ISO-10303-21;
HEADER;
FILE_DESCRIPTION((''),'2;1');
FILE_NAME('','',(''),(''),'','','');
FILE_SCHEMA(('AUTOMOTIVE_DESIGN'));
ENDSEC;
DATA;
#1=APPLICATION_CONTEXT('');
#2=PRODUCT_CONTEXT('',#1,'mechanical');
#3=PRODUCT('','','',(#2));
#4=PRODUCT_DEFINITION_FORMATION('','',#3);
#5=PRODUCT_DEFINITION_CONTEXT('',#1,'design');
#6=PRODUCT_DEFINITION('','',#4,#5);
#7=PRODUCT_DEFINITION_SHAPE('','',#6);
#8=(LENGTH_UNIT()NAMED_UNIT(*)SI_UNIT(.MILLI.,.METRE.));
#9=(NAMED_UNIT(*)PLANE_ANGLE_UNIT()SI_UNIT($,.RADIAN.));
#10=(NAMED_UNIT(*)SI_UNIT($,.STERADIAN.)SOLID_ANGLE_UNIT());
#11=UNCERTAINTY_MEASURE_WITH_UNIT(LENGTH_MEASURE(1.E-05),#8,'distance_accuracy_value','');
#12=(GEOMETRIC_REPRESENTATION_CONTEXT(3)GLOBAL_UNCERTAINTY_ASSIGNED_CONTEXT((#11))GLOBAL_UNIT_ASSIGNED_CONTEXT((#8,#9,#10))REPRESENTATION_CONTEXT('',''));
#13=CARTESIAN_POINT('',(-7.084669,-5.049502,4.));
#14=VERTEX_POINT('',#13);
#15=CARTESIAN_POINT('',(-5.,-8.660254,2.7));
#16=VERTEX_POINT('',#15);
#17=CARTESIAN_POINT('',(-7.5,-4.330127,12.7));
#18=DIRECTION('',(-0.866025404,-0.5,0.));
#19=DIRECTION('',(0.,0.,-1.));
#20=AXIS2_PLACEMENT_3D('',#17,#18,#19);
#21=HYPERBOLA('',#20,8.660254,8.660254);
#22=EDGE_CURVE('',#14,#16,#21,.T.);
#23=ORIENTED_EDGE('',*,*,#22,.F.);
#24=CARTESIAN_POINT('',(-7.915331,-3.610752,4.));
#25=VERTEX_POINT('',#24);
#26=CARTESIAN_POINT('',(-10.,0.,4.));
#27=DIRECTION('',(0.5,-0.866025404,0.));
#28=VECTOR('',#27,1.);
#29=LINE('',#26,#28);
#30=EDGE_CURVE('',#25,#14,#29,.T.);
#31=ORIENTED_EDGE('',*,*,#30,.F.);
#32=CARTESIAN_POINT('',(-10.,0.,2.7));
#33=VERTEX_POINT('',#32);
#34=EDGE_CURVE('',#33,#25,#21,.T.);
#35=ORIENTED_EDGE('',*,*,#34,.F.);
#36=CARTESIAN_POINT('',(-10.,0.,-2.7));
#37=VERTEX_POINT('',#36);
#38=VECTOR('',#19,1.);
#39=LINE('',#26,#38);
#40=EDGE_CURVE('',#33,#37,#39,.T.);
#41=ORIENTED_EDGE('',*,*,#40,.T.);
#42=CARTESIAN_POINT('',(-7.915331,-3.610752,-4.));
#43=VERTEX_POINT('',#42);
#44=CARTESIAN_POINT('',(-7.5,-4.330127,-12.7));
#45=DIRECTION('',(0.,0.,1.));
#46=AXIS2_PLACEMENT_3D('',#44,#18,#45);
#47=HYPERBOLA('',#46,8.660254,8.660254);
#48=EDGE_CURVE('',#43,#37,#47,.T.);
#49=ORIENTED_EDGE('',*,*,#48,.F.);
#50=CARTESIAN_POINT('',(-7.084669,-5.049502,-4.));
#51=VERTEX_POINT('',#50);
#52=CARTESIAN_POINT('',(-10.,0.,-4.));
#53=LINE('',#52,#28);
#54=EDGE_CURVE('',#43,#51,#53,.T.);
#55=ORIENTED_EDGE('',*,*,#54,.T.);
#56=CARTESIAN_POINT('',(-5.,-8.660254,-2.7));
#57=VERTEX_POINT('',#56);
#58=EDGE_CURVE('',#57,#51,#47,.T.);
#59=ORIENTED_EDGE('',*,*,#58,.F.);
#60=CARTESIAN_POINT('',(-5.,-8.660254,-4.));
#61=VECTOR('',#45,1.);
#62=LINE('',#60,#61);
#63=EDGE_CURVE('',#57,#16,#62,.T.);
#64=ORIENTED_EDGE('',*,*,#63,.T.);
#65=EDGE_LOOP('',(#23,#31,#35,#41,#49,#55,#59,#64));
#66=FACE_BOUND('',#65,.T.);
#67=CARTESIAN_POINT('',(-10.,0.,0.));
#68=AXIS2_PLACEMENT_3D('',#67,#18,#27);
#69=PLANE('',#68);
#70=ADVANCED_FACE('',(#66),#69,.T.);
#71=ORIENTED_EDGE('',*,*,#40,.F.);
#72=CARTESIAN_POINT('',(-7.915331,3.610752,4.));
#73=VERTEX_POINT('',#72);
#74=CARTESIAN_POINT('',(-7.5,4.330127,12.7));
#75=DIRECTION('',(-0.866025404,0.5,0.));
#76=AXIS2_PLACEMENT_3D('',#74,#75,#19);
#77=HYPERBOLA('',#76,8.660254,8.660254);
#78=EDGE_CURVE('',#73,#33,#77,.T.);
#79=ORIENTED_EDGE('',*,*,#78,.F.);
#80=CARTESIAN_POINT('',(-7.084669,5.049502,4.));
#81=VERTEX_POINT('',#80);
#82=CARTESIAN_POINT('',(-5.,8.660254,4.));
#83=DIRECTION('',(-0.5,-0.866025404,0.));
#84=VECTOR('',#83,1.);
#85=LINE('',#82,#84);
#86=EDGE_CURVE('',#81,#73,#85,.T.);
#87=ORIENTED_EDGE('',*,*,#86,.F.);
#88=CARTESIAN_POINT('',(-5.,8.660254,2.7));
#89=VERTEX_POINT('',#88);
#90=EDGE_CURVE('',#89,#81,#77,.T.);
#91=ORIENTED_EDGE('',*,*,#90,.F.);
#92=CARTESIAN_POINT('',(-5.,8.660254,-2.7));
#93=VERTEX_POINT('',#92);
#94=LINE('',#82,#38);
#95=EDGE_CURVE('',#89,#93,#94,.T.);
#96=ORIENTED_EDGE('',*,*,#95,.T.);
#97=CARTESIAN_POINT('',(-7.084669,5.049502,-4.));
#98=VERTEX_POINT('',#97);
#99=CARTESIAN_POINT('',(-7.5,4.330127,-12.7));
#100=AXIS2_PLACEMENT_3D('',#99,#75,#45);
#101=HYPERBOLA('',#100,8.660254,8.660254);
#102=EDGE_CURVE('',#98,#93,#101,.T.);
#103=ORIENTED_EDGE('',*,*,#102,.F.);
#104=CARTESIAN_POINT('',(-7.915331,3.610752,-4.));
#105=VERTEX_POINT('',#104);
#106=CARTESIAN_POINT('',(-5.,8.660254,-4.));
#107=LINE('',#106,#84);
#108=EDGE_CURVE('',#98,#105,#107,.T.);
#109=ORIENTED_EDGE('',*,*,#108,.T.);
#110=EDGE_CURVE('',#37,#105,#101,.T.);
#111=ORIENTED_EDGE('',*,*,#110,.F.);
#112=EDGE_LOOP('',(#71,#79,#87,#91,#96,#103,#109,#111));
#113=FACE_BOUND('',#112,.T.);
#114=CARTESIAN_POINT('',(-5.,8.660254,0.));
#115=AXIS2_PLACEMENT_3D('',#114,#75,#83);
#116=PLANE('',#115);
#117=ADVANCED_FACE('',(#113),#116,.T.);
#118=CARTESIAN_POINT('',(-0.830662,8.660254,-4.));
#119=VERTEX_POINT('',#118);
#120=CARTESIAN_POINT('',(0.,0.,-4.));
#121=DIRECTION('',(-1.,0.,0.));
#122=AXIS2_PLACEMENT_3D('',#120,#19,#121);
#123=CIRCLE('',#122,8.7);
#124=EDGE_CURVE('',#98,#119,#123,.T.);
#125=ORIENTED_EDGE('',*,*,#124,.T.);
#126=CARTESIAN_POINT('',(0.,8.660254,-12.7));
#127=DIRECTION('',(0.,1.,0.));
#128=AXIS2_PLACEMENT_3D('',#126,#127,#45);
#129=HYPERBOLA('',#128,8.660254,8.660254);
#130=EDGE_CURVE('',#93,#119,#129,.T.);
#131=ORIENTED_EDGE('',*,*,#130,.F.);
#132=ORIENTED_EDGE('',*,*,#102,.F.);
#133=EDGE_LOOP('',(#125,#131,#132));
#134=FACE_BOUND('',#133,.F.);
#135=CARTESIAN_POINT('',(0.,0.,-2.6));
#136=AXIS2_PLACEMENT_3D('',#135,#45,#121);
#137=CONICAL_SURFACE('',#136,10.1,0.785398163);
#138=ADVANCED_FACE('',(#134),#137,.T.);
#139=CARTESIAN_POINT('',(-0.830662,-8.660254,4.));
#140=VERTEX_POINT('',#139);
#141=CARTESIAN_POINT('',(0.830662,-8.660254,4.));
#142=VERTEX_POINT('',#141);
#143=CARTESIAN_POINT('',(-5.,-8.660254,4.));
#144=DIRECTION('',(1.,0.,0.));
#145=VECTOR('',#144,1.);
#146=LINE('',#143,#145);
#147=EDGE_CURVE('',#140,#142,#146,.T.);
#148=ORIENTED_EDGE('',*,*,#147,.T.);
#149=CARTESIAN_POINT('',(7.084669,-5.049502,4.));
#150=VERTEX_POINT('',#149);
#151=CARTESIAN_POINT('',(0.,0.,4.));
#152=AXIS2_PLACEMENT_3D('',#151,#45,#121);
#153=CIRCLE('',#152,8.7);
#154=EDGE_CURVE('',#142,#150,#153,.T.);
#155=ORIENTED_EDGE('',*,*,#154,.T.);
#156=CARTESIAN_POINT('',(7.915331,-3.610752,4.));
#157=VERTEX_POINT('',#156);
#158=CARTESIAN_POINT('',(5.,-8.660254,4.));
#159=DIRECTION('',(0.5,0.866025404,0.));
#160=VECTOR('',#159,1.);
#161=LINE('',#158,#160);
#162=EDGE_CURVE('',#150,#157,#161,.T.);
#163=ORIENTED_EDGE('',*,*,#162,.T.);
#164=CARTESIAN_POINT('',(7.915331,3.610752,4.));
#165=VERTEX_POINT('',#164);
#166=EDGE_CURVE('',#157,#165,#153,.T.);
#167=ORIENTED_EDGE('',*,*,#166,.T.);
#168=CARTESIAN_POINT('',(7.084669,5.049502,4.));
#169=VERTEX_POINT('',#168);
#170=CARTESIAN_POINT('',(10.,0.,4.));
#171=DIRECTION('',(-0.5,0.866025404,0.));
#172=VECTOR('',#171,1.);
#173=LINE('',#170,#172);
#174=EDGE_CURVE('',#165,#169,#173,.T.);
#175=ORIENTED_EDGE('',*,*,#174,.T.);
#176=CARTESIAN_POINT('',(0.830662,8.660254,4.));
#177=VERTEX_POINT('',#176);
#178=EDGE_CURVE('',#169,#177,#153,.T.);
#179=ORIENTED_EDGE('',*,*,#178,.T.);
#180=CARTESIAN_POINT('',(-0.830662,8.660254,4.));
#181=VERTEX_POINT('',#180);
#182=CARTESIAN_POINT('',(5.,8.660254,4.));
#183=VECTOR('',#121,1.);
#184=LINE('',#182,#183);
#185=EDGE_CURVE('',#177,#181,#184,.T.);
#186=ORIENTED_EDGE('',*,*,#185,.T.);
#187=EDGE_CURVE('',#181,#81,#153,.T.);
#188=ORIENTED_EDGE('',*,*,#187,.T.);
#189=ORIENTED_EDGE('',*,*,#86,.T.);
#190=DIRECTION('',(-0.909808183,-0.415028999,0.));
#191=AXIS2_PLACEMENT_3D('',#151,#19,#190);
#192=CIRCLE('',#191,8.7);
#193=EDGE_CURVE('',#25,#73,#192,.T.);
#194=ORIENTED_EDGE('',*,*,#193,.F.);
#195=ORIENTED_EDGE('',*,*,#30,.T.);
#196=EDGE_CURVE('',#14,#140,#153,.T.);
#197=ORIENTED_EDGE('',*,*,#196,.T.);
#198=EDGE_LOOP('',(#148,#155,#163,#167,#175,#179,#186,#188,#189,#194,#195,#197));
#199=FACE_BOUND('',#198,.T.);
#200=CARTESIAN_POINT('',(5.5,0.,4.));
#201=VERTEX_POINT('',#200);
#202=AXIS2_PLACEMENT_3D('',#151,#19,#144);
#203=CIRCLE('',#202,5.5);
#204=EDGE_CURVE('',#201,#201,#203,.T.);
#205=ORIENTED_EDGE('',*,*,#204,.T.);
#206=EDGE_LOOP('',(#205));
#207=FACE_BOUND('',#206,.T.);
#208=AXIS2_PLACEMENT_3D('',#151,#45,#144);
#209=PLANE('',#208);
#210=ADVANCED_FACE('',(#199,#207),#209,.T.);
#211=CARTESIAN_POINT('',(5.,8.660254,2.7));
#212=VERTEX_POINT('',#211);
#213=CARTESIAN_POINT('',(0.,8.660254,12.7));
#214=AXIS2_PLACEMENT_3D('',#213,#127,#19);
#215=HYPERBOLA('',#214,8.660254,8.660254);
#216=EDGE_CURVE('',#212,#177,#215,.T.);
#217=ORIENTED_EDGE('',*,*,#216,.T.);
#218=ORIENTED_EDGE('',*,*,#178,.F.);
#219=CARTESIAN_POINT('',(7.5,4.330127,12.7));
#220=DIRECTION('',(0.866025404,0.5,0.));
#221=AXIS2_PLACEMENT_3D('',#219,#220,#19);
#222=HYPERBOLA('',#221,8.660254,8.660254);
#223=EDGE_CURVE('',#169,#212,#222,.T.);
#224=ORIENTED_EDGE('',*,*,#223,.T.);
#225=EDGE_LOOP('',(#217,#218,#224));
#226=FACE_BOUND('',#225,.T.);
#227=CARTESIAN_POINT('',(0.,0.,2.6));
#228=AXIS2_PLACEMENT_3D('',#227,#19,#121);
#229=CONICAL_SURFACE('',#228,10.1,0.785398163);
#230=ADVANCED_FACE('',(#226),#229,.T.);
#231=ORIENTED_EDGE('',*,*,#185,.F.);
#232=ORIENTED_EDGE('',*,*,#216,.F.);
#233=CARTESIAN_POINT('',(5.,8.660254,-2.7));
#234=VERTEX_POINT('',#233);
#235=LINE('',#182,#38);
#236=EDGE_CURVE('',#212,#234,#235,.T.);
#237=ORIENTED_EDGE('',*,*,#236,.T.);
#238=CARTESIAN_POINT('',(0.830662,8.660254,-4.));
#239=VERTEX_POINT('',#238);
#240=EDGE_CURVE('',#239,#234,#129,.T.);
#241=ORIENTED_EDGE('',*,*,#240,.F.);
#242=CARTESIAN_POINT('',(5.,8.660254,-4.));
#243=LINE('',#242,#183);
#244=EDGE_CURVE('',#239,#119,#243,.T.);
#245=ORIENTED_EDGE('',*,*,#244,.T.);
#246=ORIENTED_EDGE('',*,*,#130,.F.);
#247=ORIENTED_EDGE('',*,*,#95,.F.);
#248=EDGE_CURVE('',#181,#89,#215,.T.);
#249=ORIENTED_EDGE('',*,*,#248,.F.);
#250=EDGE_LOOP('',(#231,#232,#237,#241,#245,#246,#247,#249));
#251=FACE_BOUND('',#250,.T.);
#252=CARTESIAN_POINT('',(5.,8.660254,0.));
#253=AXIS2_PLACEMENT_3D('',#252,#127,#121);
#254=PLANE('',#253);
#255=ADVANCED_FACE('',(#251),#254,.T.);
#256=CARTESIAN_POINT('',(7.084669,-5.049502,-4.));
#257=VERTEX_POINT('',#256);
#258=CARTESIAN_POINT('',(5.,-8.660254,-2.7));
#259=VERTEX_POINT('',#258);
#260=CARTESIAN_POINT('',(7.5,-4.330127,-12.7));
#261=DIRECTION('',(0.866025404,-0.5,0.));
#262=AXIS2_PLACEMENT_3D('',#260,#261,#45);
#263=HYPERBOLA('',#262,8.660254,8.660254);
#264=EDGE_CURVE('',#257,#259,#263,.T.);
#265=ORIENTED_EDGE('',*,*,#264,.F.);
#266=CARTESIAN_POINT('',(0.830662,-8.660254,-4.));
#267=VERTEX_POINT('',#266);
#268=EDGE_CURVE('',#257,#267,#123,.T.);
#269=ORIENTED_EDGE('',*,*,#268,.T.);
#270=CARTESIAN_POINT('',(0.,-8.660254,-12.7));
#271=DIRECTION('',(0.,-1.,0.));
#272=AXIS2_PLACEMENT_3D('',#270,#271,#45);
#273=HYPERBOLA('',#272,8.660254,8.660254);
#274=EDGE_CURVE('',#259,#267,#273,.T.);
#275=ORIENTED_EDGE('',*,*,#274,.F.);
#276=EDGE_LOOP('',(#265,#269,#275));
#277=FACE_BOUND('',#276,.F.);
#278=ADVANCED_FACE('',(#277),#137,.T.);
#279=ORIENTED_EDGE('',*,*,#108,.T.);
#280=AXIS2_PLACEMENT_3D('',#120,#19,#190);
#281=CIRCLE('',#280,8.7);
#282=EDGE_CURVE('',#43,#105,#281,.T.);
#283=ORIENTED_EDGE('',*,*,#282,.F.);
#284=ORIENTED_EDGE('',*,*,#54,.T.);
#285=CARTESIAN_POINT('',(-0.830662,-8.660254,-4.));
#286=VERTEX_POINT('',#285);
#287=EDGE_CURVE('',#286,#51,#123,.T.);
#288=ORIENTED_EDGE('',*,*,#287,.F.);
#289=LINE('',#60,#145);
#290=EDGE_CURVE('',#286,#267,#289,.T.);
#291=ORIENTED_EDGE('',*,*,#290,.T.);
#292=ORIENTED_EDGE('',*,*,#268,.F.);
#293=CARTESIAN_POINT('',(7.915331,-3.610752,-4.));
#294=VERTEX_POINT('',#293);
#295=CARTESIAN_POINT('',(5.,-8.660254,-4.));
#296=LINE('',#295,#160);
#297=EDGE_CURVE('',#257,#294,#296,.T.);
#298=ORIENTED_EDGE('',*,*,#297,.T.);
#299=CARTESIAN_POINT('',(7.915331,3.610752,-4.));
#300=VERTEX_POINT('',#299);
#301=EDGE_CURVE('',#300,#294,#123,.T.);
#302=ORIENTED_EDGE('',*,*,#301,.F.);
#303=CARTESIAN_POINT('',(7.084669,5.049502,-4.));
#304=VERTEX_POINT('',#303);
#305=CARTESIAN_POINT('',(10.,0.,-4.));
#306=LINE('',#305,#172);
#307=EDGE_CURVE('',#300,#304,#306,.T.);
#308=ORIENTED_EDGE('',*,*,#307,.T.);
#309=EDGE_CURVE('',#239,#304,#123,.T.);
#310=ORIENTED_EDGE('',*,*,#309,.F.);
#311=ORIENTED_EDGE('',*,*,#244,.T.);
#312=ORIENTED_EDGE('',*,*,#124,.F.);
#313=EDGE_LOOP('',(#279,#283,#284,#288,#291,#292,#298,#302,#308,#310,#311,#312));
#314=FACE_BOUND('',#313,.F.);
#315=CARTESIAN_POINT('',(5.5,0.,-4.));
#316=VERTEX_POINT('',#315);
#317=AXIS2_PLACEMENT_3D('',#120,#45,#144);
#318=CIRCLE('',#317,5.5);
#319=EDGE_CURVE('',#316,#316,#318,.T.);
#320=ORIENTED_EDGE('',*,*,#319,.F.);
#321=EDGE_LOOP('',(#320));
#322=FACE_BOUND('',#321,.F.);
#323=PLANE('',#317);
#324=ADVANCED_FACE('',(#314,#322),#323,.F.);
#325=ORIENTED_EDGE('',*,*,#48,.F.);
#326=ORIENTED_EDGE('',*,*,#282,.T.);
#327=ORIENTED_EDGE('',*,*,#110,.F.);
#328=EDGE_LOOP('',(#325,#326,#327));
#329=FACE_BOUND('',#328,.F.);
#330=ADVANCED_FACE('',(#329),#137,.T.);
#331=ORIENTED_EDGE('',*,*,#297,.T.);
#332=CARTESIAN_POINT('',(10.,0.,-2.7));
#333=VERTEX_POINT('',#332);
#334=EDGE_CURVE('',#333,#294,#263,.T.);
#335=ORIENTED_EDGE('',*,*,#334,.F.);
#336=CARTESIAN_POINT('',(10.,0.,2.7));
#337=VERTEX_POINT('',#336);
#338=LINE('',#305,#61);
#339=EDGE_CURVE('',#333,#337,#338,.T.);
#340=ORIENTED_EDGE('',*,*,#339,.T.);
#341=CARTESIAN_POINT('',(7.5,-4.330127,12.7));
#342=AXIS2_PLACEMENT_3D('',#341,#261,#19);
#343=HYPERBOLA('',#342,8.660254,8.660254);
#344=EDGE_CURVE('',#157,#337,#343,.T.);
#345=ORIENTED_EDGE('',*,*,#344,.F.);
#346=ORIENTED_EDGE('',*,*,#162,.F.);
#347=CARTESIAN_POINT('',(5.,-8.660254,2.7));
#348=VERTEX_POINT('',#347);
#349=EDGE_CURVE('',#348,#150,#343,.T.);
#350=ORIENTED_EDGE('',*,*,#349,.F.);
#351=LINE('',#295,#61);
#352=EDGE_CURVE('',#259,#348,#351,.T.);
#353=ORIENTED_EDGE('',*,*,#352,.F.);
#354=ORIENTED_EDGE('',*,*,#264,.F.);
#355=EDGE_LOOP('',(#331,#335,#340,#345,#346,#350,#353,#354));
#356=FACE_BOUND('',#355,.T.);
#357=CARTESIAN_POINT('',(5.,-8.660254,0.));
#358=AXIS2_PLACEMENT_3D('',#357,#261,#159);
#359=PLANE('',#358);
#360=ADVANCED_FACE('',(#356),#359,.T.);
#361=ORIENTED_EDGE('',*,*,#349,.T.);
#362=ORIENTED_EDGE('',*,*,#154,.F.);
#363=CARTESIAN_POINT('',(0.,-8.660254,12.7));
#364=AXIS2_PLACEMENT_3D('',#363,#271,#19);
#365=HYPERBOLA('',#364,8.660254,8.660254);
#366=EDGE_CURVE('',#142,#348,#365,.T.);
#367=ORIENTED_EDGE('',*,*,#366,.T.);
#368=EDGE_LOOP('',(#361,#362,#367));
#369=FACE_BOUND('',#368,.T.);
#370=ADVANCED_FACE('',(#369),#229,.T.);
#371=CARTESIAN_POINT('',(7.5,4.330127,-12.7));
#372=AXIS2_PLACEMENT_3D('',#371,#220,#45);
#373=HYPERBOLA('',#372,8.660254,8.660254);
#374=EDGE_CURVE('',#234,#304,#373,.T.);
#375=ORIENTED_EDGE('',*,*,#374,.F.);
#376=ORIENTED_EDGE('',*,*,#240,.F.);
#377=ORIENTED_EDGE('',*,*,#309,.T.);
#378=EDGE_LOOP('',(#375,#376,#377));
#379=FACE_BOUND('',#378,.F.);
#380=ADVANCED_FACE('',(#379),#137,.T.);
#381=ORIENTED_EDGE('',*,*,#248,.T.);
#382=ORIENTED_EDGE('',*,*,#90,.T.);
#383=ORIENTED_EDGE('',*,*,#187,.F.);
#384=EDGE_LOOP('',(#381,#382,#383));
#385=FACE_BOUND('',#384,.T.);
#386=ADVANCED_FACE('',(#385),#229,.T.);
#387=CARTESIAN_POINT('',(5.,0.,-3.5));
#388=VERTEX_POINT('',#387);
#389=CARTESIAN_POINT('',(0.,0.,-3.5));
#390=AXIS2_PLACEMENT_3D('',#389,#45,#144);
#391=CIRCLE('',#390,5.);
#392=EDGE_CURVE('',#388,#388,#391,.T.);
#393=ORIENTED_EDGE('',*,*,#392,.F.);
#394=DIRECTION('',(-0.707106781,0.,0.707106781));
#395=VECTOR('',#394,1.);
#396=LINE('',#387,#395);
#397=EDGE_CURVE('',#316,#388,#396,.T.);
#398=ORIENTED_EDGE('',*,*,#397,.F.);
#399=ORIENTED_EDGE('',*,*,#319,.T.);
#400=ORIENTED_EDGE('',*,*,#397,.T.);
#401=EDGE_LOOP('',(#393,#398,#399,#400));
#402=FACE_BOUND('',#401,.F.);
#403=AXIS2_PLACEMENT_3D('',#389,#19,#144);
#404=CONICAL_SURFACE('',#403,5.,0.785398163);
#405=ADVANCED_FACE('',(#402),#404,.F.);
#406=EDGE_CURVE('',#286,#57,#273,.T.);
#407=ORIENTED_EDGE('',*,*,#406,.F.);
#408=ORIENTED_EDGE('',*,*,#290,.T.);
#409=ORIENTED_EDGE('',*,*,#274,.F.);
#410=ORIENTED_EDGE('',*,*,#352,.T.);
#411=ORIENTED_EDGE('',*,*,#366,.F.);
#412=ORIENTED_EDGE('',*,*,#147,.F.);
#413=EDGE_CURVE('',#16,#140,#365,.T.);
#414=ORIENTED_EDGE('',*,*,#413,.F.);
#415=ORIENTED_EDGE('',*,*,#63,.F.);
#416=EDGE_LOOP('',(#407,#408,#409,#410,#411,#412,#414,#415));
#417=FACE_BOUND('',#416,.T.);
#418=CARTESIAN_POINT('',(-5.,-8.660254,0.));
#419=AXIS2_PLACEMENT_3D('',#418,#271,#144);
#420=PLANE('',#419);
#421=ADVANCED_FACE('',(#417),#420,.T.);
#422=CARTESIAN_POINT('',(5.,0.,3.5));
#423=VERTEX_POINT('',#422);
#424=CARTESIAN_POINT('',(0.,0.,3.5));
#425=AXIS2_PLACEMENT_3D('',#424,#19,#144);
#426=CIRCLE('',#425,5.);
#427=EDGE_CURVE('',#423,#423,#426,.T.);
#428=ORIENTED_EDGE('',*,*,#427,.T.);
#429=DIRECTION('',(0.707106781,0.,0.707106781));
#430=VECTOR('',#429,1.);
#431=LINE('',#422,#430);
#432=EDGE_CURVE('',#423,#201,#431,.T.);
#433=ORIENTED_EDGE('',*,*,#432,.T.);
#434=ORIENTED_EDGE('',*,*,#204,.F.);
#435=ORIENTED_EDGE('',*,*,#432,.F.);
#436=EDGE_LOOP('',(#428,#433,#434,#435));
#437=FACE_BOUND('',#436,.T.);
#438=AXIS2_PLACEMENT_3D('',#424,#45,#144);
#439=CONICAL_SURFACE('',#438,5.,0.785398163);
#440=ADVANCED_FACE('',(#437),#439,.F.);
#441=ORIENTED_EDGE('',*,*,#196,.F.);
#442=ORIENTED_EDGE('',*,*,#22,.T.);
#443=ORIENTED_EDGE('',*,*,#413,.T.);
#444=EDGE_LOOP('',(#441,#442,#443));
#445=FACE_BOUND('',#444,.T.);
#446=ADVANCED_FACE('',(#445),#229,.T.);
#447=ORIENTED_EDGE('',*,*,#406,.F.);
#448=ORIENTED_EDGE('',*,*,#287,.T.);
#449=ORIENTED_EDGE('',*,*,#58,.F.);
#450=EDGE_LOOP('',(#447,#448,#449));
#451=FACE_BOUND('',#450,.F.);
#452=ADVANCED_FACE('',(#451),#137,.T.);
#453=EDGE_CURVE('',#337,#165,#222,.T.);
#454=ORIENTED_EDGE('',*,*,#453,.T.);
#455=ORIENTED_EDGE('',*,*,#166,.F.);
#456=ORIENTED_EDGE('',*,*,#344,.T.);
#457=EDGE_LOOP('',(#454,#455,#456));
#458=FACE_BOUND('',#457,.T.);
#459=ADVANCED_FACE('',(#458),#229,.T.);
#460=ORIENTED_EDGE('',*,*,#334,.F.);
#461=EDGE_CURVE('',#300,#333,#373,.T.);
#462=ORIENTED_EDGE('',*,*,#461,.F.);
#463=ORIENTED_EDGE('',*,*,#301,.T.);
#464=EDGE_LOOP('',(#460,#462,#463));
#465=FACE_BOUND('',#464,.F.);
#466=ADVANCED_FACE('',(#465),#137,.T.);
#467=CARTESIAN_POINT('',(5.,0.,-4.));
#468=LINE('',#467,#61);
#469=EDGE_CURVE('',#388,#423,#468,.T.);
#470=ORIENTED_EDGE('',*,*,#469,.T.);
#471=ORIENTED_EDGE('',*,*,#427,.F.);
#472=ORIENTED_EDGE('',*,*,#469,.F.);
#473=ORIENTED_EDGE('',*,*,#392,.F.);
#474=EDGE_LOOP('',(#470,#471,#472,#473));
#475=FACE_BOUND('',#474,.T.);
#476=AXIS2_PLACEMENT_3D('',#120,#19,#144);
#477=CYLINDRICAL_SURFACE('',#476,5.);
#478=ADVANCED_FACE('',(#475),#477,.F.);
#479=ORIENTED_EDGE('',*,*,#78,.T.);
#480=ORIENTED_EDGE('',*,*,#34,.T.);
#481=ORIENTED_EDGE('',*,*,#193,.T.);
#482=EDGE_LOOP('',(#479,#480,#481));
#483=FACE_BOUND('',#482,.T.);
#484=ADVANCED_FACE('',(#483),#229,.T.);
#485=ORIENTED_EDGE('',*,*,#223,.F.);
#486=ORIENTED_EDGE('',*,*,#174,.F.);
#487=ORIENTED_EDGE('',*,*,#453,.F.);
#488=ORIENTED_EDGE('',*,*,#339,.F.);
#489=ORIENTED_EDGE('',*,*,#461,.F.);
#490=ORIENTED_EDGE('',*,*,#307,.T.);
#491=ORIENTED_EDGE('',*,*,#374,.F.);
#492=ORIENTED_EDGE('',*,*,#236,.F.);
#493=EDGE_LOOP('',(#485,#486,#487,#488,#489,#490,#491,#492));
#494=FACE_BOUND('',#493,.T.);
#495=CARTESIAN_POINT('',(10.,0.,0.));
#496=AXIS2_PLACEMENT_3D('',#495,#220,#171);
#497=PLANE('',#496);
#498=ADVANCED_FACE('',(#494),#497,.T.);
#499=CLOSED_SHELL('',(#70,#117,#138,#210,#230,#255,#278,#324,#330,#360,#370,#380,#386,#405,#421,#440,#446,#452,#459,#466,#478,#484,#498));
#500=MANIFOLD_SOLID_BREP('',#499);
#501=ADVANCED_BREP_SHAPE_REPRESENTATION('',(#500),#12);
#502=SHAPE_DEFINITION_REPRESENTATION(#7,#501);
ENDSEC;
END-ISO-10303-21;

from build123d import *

# Parameters (mm, degrees)
BOSS_EXTRUDE1_DEPTH = 4
SKETCH2_R           = 5
CUT_EXTRUDE1_DEPTH  = 16.459624834
CHAMFER1_SIZE       = 0.5


with BuildPart() as part:
    # Sketch1 → Boss-Extrude1 (new, symmetric)
    with BuildSketch(Plane.XY):
        Polygon((-10, 0), (-5, -8.660254038), (5, -8.660254038), (10, 0), (5, 8.660254038), (-5, 8.660254038), align=None)
    extrude(amount=BOSS_EXTRUDE1_DEPTH, both=True)

    # Sketch2 → Cut-Extrude1 (cut, through all)
    with BuildSketch(Plane.XY.offset(-4)):
        Circle(SKETCH2_R)
    extrude(amount=CUT_EXTRUDE1_DEPTH, mode=Mode.SUBTRACT)

    # Sketch8 → Cut-Revolve1 (revolve, cut)
    with BuildSketch(Plane(origin=(0, 0, 0), x_dir=(1, 0, 0), z_dir=(0, 1, 0))):
        Polygon((-8.6, -4.1), (-10.1, -4.1), (-10.1, -2.6), align=None)
    cut_revolve1 = revolve(axis=Axis((0, 0, -7.705), (0, 0, 1)), mode=Mode.SUBTRACT)

    # Mirror1: Cut-Revolve1 across plane
    add(cut_revolve1.mirror(Plane.XY), mode=Mode.SUBTRACT)

    # Chamfer1
    chamfer1_edges = [part.edges().sort_by_distance(p)[0] for p in [
        (-5, 0, -4),
        (-5, 0, 4),
    ]]
    chamfer(chamfer1_edges, length=CHAMFER1_SIZE)


solid = part.part
